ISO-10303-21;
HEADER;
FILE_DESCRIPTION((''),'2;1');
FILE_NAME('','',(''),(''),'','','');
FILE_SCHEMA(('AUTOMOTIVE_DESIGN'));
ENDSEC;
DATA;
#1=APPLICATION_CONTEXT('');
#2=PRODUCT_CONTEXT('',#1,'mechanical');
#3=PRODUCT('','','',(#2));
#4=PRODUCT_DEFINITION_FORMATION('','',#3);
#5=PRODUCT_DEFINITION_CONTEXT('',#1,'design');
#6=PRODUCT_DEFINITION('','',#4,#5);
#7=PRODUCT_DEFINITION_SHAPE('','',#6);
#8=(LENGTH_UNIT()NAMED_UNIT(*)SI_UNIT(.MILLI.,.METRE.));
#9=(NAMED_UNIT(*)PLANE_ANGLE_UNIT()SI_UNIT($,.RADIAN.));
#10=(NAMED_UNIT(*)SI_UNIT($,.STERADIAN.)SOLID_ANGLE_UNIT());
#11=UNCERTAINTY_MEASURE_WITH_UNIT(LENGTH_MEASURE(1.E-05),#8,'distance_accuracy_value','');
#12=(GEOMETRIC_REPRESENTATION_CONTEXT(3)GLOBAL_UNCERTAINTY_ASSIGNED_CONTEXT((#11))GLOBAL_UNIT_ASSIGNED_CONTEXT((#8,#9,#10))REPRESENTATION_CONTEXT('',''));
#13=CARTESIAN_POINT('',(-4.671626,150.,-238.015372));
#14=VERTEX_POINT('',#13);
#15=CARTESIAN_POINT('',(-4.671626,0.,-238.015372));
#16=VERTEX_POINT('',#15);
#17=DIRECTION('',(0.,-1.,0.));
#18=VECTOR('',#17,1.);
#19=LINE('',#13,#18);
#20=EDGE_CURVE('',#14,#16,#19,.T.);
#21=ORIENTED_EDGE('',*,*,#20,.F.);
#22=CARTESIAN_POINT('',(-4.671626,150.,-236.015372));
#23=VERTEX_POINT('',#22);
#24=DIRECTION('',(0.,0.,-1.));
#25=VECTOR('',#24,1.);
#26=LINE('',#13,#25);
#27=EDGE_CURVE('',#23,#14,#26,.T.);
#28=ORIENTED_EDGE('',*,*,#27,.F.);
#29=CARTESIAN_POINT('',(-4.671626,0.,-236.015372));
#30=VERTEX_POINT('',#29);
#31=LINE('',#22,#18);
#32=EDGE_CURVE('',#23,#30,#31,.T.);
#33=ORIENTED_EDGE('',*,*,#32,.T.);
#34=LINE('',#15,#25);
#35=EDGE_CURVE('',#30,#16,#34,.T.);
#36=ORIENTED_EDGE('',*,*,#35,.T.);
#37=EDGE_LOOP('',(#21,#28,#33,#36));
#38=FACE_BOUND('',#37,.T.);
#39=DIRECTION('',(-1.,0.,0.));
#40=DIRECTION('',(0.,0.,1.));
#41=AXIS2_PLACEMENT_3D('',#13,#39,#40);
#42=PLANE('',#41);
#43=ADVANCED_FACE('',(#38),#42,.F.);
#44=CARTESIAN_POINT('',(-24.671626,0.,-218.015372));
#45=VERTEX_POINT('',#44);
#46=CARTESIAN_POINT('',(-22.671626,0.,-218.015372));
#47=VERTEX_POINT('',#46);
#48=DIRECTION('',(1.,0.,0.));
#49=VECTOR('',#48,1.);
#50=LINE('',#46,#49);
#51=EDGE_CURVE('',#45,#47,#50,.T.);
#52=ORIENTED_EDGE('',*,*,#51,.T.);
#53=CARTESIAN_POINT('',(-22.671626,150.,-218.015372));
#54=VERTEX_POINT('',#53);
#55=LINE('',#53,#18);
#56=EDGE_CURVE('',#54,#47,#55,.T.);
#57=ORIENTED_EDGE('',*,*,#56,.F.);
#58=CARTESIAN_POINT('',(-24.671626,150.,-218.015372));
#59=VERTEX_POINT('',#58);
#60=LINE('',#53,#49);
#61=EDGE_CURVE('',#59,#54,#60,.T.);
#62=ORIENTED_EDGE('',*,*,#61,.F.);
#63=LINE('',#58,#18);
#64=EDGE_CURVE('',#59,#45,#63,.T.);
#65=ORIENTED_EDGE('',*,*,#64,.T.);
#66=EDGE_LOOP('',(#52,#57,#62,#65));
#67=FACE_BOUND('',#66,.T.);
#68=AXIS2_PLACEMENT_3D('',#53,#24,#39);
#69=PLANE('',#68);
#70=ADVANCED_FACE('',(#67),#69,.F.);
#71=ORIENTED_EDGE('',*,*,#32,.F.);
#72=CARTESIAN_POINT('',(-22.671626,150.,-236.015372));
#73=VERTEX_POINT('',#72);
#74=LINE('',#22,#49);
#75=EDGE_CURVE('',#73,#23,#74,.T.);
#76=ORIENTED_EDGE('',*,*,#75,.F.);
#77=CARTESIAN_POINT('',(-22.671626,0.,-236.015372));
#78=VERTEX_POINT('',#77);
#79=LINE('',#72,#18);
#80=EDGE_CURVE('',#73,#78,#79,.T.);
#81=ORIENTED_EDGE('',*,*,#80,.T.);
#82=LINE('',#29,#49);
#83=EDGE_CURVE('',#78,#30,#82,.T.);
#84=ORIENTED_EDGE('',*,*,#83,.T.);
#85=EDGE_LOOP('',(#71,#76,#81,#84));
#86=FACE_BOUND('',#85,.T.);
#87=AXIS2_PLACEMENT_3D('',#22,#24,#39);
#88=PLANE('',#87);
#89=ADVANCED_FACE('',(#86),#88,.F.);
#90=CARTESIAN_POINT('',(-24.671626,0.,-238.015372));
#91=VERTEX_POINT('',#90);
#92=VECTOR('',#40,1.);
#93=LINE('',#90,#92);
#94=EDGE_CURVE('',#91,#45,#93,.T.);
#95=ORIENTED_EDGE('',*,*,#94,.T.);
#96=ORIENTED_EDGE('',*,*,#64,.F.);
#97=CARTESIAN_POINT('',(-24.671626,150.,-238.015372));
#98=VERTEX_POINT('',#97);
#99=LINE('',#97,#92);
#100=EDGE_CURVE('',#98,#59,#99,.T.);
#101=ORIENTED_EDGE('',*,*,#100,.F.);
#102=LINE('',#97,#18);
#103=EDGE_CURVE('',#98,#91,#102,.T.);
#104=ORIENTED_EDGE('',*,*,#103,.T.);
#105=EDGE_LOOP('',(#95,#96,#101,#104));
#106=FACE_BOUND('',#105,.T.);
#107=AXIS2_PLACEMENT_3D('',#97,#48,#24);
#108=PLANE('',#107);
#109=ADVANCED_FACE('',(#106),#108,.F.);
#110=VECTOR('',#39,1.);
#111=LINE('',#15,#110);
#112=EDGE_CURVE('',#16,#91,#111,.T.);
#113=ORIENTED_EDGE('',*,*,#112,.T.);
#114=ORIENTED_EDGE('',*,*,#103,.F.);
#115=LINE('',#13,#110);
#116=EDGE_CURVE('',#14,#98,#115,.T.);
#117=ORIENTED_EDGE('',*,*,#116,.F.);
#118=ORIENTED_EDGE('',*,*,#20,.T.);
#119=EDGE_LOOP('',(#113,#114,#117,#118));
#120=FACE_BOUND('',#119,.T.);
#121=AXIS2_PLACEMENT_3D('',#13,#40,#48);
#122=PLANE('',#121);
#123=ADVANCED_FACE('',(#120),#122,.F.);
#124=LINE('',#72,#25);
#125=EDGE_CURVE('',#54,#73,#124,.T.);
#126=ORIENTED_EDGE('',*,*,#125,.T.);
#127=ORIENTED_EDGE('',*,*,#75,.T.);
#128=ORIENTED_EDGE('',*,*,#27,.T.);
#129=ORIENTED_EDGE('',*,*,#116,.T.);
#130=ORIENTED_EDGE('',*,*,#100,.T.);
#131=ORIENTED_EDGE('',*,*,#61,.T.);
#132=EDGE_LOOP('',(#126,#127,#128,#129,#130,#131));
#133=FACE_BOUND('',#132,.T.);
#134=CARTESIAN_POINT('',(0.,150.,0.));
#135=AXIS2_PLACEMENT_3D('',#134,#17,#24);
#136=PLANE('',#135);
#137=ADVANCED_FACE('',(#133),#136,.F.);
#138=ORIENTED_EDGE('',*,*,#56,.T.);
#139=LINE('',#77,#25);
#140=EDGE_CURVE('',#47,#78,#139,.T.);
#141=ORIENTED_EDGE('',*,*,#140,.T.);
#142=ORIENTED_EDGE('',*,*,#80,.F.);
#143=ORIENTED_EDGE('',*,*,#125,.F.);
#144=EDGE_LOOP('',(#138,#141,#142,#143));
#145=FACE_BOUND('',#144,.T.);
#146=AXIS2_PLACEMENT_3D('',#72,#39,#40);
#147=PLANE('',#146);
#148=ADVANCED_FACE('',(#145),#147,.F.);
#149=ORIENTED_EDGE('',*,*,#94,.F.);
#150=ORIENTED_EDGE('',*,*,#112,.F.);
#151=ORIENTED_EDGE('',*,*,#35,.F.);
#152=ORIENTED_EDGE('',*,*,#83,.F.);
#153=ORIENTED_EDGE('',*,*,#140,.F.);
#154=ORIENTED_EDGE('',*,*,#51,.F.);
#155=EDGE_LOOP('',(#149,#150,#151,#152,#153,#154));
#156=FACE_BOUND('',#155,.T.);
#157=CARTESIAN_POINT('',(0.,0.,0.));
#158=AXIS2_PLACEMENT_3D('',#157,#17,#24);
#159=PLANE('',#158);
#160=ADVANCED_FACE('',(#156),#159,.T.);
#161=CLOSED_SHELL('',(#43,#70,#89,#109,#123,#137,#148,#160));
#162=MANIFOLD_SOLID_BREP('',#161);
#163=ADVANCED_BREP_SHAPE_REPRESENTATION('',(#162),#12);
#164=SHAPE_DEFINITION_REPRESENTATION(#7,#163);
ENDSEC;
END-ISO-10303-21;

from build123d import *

# Parameters (mm, degrees)
BOSS_EXTRUDE1_DEPTH = 150


with BuildPart() as part:
    # Sketch1 → Boss-Extrude1 (new body)
    with BuildSketch(Plane(origin=(0, 0, 0), x_dir=(1, 0, 0), z_dir=(0, 1, 0))):
        Polygon((-4.67162592, 238.015372113), (-24.67162592, 238.015372113), (-24.67162592, 218.015372113), (-22.67162592, 218.015372113), (-22.67162592, 236.015372113), (-4.67162592, 236.015372113), align=None)
    extrude(amount=BOSS_EXTRUDE1_DEPTH)


solid = part.part
